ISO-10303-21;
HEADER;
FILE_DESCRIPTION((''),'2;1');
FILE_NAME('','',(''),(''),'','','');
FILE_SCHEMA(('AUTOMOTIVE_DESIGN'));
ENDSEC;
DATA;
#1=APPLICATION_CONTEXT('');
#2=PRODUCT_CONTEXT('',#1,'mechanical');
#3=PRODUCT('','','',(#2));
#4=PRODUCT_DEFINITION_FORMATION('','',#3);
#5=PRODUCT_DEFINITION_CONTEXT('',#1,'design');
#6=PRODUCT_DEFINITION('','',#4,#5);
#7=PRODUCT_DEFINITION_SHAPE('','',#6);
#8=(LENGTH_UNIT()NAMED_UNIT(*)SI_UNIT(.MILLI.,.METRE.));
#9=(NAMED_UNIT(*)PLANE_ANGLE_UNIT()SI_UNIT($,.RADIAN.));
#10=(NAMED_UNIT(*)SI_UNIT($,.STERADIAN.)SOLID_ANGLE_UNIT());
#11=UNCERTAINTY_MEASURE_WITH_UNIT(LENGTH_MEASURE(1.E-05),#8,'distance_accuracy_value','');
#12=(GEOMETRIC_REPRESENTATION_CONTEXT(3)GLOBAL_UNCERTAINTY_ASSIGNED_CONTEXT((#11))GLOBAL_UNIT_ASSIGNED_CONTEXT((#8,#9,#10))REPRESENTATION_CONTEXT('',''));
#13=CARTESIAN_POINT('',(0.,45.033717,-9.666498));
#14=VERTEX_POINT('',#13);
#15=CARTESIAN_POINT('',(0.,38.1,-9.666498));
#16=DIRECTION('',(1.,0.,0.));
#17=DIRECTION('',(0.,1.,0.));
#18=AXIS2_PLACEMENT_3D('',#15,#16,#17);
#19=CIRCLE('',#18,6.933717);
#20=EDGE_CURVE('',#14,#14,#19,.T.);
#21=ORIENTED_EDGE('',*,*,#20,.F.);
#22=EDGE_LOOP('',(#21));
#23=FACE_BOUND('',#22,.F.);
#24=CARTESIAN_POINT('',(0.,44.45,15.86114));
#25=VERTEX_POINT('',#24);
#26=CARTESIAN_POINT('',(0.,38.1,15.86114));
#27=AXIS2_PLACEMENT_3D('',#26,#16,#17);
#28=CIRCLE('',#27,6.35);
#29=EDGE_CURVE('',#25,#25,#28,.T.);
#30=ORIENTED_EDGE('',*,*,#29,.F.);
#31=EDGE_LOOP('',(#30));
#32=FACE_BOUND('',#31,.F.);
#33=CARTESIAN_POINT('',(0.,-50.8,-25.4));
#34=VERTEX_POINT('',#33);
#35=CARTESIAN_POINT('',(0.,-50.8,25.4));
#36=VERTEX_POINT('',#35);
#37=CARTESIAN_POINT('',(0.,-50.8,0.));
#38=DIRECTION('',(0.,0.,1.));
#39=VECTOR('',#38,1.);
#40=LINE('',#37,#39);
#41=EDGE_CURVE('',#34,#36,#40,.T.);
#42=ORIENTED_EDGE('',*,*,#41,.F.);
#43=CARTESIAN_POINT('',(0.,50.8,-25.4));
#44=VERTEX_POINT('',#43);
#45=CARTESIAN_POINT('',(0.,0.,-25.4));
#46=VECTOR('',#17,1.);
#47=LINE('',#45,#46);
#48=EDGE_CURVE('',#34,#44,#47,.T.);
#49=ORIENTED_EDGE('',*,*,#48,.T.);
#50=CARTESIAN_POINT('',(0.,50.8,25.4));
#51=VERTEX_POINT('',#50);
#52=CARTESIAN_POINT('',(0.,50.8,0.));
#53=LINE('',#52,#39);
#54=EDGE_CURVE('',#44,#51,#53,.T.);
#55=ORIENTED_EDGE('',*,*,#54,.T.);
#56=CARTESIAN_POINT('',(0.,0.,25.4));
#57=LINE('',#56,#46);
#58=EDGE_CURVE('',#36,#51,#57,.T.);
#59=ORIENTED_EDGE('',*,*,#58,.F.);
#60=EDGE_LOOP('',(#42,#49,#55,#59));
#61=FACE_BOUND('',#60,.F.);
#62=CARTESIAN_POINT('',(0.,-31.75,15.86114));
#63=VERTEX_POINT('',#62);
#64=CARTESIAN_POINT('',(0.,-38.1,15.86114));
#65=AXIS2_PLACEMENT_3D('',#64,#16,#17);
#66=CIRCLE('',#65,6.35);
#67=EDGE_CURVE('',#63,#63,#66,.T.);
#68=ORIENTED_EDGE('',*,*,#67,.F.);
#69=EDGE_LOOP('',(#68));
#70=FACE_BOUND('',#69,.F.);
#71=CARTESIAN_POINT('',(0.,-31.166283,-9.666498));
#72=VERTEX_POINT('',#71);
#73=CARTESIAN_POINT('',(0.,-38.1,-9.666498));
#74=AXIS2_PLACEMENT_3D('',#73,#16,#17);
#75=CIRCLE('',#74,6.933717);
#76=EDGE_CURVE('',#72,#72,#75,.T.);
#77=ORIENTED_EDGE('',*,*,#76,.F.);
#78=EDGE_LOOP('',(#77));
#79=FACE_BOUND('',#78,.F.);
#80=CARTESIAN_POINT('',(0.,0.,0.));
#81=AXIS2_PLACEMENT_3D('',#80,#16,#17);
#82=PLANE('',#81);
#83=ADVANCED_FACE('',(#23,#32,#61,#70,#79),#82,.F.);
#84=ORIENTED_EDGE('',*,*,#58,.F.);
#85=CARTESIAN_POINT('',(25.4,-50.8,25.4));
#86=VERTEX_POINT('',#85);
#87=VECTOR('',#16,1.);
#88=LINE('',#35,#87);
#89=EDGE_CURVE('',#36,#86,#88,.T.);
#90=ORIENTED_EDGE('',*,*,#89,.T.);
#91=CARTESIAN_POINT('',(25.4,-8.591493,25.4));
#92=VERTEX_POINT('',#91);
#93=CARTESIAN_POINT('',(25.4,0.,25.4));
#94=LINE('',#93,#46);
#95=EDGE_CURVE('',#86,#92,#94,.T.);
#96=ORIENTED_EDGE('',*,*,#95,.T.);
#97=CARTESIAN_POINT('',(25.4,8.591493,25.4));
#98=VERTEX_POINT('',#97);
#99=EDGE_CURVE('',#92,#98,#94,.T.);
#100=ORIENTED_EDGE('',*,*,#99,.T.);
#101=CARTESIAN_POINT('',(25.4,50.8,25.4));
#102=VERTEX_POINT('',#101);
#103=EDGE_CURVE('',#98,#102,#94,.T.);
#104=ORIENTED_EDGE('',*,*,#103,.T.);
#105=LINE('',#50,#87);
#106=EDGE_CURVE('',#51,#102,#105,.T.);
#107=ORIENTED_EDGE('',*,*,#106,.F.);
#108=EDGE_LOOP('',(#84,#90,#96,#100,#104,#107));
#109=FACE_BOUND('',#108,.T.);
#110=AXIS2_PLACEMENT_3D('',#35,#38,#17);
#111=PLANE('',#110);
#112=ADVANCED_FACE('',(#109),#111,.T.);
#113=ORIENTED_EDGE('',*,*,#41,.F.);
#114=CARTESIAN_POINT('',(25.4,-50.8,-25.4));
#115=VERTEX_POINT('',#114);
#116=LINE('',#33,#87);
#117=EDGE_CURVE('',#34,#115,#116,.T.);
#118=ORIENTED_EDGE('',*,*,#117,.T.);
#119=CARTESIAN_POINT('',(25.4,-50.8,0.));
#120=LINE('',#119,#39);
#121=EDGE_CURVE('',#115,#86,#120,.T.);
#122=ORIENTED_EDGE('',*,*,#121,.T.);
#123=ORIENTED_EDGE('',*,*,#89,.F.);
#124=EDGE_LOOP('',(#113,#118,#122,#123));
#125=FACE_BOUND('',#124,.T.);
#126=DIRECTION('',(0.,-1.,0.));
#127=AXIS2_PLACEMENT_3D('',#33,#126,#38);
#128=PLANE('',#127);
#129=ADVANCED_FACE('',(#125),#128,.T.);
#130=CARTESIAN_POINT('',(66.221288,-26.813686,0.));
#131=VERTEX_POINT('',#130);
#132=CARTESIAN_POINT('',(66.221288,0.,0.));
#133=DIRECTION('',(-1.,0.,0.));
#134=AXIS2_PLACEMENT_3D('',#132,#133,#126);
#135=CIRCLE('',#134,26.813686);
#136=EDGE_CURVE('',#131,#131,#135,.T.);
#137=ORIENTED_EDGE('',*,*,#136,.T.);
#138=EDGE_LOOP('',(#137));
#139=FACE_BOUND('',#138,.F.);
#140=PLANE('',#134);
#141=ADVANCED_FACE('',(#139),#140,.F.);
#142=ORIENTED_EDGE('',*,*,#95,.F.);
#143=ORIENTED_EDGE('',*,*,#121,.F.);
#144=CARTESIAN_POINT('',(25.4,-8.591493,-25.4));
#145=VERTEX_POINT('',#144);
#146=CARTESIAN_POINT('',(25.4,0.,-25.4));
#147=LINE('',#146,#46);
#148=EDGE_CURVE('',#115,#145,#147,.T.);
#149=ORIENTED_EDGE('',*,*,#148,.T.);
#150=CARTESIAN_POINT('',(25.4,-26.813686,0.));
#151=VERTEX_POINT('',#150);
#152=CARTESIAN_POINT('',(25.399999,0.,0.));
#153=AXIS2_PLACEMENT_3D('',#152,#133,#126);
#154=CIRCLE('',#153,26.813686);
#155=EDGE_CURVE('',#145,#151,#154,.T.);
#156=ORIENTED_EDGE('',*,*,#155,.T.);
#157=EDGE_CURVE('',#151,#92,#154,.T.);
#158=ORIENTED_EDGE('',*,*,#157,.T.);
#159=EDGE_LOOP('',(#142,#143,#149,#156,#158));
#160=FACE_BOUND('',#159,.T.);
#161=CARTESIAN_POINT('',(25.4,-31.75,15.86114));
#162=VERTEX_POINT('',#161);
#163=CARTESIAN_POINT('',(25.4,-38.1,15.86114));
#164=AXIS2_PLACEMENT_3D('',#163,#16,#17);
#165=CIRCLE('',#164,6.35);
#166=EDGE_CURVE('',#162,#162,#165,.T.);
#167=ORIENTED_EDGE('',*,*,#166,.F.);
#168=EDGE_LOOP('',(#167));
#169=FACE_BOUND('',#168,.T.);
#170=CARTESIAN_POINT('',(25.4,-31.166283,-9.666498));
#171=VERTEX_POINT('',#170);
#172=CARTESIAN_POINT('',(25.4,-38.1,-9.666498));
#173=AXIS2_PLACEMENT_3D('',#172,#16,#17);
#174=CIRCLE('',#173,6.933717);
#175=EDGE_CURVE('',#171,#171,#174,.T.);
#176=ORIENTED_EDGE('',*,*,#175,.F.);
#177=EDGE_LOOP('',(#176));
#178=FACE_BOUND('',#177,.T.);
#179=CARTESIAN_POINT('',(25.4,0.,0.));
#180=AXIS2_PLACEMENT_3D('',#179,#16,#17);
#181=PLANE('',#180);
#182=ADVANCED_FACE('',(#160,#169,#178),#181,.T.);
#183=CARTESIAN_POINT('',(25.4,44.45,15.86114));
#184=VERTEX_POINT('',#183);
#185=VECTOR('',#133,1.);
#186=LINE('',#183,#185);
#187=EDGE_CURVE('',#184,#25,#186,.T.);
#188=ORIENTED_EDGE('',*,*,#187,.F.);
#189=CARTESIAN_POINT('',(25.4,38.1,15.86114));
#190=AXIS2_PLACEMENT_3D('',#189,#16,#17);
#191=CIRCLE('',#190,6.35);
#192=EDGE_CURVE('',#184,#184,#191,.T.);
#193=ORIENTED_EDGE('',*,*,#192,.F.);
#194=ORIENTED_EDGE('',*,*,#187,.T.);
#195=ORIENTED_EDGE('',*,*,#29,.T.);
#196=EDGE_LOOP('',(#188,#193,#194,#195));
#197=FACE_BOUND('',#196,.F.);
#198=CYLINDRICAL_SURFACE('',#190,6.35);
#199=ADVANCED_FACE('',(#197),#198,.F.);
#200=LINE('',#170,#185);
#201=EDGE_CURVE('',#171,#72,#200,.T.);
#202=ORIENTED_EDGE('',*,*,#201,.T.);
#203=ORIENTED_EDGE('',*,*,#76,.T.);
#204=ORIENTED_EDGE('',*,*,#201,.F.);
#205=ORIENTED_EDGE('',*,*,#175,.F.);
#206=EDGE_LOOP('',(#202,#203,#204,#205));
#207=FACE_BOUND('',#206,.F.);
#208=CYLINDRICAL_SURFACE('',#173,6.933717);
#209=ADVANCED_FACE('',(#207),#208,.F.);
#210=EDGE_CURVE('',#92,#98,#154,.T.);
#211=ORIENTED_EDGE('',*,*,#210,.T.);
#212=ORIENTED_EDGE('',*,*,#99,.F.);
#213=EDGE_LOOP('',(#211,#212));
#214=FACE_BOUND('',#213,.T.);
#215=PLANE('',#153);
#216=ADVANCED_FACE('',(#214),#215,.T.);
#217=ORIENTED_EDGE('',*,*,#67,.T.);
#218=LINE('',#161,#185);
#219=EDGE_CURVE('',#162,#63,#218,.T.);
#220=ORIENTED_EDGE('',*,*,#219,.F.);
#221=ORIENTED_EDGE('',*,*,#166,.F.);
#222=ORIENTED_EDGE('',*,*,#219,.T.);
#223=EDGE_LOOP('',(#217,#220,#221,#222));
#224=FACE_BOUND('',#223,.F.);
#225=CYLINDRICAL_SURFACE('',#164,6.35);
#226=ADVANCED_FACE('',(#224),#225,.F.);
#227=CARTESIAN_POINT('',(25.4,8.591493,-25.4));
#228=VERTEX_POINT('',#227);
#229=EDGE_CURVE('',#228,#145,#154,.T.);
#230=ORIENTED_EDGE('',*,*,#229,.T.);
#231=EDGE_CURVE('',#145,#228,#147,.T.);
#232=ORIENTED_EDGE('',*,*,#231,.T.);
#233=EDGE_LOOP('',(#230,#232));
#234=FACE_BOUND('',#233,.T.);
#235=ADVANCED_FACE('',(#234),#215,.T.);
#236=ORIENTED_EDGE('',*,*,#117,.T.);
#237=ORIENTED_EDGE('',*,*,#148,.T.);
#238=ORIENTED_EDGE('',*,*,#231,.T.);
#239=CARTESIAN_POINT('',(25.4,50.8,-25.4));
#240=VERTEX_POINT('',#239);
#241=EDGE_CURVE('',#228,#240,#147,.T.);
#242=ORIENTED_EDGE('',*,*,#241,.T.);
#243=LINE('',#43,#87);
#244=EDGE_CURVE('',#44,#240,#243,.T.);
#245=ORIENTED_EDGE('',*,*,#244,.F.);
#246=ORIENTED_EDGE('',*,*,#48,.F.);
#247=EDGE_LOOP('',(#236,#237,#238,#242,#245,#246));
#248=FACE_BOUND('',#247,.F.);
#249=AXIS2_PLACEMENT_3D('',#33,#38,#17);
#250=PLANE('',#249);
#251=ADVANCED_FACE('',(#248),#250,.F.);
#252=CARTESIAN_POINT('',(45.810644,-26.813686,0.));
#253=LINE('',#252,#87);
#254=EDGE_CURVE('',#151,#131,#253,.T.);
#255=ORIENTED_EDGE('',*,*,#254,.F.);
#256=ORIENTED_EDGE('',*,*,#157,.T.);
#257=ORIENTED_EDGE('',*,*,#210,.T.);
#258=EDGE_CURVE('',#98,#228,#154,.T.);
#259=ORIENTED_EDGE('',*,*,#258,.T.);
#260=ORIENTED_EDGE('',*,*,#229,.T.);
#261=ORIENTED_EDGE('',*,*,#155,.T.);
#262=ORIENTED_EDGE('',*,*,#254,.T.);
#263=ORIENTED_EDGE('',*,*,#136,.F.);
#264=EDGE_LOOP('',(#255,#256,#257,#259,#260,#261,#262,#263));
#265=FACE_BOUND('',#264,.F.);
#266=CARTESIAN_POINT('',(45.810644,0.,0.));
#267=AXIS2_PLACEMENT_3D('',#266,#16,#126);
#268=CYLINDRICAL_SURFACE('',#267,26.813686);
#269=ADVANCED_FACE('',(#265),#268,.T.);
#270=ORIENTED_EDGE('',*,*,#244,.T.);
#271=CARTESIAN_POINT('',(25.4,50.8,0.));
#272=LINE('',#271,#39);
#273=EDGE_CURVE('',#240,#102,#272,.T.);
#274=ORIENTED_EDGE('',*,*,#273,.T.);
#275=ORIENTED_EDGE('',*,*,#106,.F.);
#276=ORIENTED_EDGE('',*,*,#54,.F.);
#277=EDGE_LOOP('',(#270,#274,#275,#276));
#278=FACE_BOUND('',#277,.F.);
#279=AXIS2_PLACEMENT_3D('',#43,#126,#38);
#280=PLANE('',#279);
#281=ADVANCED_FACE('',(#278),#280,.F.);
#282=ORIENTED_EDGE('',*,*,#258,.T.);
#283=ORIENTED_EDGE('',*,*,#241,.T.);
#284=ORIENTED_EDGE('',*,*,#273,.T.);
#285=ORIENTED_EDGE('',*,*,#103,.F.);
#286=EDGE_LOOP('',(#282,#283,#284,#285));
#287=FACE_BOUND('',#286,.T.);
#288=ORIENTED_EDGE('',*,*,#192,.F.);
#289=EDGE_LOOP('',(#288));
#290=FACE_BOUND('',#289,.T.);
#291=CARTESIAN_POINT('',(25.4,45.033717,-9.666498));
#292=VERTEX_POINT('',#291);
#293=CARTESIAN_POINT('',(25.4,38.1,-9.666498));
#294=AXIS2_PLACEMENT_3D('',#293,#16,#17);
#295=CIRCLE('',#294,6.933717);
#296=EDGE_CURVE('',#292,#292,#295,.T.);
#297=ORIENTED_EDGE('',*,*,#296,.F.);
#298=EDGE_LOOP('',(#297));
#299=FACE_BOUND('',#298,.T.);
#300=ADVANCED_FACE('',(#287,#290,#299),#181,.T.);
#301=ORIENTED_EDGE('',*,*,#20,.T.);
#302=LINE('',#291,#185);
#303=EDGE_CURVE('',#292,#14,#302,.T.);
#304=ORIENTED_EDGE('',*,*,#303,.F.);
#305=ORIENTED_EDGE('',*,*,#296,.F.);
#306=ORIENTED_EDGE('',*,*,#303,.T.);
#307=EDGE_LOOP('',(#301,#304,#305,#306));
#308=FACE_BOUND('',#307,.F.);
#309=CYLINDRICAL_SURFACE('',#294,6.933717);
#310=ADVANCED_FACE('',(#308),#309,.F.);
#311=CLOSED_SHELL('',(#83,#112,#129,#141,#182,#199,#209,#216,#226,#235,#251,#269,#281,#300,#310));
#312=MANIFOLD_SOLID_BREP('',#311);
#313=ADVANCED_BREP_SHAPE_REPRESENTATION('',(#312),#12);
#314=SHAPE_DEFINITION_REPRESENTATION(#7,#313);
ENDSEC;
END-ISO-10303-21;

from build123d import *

# Parameters (mm, degrees)
F0_W     = 101.6
F0_H     = 50.8
F1_DEPTH = 25.4
F2_R     = 6.35
F2_R_2   = 6.933717
F3_DEPTH = 25.401
F4_W     = 40.821289
F4_H     = 26.813686


with BuildPart() as f1:
    # F0 (on Right) → F1 (new body)
    with BuildSketch(Plane.YZ):
        Rectangle(F0_W, F0_H)
    extrude(amount=F1_DEPTH)

    # F2 (on face) → F3 (cut, through all)
    with BuildSketch(Plane.YZ.offset(25.4)):
        with Locations((-38.1, 15.86114)):
            Circle(F2_R)
        with Locations((38.1, 15.86114)):
            Circle(F2_R)
        with Locations((38.1, -9.666498)):
            Circle(F2_R_2)
        with Locations((-38.1, -9.666498)):
            Circle(F2_R_2)
    extrude(amount=-F3_DEPTH, mode=Mode.SUBTRACT)

    # F4 (on Top) → F5 (revolve)
    with BuildSketch(Plane.XY):
        with Locations((45.810644, -13.406843)):
            Rectangle(F4_W, F4_H)
    revolve(axis=Axis((45.810645, 0, 0), (-1, 0, 0)))


solid = f1.part
